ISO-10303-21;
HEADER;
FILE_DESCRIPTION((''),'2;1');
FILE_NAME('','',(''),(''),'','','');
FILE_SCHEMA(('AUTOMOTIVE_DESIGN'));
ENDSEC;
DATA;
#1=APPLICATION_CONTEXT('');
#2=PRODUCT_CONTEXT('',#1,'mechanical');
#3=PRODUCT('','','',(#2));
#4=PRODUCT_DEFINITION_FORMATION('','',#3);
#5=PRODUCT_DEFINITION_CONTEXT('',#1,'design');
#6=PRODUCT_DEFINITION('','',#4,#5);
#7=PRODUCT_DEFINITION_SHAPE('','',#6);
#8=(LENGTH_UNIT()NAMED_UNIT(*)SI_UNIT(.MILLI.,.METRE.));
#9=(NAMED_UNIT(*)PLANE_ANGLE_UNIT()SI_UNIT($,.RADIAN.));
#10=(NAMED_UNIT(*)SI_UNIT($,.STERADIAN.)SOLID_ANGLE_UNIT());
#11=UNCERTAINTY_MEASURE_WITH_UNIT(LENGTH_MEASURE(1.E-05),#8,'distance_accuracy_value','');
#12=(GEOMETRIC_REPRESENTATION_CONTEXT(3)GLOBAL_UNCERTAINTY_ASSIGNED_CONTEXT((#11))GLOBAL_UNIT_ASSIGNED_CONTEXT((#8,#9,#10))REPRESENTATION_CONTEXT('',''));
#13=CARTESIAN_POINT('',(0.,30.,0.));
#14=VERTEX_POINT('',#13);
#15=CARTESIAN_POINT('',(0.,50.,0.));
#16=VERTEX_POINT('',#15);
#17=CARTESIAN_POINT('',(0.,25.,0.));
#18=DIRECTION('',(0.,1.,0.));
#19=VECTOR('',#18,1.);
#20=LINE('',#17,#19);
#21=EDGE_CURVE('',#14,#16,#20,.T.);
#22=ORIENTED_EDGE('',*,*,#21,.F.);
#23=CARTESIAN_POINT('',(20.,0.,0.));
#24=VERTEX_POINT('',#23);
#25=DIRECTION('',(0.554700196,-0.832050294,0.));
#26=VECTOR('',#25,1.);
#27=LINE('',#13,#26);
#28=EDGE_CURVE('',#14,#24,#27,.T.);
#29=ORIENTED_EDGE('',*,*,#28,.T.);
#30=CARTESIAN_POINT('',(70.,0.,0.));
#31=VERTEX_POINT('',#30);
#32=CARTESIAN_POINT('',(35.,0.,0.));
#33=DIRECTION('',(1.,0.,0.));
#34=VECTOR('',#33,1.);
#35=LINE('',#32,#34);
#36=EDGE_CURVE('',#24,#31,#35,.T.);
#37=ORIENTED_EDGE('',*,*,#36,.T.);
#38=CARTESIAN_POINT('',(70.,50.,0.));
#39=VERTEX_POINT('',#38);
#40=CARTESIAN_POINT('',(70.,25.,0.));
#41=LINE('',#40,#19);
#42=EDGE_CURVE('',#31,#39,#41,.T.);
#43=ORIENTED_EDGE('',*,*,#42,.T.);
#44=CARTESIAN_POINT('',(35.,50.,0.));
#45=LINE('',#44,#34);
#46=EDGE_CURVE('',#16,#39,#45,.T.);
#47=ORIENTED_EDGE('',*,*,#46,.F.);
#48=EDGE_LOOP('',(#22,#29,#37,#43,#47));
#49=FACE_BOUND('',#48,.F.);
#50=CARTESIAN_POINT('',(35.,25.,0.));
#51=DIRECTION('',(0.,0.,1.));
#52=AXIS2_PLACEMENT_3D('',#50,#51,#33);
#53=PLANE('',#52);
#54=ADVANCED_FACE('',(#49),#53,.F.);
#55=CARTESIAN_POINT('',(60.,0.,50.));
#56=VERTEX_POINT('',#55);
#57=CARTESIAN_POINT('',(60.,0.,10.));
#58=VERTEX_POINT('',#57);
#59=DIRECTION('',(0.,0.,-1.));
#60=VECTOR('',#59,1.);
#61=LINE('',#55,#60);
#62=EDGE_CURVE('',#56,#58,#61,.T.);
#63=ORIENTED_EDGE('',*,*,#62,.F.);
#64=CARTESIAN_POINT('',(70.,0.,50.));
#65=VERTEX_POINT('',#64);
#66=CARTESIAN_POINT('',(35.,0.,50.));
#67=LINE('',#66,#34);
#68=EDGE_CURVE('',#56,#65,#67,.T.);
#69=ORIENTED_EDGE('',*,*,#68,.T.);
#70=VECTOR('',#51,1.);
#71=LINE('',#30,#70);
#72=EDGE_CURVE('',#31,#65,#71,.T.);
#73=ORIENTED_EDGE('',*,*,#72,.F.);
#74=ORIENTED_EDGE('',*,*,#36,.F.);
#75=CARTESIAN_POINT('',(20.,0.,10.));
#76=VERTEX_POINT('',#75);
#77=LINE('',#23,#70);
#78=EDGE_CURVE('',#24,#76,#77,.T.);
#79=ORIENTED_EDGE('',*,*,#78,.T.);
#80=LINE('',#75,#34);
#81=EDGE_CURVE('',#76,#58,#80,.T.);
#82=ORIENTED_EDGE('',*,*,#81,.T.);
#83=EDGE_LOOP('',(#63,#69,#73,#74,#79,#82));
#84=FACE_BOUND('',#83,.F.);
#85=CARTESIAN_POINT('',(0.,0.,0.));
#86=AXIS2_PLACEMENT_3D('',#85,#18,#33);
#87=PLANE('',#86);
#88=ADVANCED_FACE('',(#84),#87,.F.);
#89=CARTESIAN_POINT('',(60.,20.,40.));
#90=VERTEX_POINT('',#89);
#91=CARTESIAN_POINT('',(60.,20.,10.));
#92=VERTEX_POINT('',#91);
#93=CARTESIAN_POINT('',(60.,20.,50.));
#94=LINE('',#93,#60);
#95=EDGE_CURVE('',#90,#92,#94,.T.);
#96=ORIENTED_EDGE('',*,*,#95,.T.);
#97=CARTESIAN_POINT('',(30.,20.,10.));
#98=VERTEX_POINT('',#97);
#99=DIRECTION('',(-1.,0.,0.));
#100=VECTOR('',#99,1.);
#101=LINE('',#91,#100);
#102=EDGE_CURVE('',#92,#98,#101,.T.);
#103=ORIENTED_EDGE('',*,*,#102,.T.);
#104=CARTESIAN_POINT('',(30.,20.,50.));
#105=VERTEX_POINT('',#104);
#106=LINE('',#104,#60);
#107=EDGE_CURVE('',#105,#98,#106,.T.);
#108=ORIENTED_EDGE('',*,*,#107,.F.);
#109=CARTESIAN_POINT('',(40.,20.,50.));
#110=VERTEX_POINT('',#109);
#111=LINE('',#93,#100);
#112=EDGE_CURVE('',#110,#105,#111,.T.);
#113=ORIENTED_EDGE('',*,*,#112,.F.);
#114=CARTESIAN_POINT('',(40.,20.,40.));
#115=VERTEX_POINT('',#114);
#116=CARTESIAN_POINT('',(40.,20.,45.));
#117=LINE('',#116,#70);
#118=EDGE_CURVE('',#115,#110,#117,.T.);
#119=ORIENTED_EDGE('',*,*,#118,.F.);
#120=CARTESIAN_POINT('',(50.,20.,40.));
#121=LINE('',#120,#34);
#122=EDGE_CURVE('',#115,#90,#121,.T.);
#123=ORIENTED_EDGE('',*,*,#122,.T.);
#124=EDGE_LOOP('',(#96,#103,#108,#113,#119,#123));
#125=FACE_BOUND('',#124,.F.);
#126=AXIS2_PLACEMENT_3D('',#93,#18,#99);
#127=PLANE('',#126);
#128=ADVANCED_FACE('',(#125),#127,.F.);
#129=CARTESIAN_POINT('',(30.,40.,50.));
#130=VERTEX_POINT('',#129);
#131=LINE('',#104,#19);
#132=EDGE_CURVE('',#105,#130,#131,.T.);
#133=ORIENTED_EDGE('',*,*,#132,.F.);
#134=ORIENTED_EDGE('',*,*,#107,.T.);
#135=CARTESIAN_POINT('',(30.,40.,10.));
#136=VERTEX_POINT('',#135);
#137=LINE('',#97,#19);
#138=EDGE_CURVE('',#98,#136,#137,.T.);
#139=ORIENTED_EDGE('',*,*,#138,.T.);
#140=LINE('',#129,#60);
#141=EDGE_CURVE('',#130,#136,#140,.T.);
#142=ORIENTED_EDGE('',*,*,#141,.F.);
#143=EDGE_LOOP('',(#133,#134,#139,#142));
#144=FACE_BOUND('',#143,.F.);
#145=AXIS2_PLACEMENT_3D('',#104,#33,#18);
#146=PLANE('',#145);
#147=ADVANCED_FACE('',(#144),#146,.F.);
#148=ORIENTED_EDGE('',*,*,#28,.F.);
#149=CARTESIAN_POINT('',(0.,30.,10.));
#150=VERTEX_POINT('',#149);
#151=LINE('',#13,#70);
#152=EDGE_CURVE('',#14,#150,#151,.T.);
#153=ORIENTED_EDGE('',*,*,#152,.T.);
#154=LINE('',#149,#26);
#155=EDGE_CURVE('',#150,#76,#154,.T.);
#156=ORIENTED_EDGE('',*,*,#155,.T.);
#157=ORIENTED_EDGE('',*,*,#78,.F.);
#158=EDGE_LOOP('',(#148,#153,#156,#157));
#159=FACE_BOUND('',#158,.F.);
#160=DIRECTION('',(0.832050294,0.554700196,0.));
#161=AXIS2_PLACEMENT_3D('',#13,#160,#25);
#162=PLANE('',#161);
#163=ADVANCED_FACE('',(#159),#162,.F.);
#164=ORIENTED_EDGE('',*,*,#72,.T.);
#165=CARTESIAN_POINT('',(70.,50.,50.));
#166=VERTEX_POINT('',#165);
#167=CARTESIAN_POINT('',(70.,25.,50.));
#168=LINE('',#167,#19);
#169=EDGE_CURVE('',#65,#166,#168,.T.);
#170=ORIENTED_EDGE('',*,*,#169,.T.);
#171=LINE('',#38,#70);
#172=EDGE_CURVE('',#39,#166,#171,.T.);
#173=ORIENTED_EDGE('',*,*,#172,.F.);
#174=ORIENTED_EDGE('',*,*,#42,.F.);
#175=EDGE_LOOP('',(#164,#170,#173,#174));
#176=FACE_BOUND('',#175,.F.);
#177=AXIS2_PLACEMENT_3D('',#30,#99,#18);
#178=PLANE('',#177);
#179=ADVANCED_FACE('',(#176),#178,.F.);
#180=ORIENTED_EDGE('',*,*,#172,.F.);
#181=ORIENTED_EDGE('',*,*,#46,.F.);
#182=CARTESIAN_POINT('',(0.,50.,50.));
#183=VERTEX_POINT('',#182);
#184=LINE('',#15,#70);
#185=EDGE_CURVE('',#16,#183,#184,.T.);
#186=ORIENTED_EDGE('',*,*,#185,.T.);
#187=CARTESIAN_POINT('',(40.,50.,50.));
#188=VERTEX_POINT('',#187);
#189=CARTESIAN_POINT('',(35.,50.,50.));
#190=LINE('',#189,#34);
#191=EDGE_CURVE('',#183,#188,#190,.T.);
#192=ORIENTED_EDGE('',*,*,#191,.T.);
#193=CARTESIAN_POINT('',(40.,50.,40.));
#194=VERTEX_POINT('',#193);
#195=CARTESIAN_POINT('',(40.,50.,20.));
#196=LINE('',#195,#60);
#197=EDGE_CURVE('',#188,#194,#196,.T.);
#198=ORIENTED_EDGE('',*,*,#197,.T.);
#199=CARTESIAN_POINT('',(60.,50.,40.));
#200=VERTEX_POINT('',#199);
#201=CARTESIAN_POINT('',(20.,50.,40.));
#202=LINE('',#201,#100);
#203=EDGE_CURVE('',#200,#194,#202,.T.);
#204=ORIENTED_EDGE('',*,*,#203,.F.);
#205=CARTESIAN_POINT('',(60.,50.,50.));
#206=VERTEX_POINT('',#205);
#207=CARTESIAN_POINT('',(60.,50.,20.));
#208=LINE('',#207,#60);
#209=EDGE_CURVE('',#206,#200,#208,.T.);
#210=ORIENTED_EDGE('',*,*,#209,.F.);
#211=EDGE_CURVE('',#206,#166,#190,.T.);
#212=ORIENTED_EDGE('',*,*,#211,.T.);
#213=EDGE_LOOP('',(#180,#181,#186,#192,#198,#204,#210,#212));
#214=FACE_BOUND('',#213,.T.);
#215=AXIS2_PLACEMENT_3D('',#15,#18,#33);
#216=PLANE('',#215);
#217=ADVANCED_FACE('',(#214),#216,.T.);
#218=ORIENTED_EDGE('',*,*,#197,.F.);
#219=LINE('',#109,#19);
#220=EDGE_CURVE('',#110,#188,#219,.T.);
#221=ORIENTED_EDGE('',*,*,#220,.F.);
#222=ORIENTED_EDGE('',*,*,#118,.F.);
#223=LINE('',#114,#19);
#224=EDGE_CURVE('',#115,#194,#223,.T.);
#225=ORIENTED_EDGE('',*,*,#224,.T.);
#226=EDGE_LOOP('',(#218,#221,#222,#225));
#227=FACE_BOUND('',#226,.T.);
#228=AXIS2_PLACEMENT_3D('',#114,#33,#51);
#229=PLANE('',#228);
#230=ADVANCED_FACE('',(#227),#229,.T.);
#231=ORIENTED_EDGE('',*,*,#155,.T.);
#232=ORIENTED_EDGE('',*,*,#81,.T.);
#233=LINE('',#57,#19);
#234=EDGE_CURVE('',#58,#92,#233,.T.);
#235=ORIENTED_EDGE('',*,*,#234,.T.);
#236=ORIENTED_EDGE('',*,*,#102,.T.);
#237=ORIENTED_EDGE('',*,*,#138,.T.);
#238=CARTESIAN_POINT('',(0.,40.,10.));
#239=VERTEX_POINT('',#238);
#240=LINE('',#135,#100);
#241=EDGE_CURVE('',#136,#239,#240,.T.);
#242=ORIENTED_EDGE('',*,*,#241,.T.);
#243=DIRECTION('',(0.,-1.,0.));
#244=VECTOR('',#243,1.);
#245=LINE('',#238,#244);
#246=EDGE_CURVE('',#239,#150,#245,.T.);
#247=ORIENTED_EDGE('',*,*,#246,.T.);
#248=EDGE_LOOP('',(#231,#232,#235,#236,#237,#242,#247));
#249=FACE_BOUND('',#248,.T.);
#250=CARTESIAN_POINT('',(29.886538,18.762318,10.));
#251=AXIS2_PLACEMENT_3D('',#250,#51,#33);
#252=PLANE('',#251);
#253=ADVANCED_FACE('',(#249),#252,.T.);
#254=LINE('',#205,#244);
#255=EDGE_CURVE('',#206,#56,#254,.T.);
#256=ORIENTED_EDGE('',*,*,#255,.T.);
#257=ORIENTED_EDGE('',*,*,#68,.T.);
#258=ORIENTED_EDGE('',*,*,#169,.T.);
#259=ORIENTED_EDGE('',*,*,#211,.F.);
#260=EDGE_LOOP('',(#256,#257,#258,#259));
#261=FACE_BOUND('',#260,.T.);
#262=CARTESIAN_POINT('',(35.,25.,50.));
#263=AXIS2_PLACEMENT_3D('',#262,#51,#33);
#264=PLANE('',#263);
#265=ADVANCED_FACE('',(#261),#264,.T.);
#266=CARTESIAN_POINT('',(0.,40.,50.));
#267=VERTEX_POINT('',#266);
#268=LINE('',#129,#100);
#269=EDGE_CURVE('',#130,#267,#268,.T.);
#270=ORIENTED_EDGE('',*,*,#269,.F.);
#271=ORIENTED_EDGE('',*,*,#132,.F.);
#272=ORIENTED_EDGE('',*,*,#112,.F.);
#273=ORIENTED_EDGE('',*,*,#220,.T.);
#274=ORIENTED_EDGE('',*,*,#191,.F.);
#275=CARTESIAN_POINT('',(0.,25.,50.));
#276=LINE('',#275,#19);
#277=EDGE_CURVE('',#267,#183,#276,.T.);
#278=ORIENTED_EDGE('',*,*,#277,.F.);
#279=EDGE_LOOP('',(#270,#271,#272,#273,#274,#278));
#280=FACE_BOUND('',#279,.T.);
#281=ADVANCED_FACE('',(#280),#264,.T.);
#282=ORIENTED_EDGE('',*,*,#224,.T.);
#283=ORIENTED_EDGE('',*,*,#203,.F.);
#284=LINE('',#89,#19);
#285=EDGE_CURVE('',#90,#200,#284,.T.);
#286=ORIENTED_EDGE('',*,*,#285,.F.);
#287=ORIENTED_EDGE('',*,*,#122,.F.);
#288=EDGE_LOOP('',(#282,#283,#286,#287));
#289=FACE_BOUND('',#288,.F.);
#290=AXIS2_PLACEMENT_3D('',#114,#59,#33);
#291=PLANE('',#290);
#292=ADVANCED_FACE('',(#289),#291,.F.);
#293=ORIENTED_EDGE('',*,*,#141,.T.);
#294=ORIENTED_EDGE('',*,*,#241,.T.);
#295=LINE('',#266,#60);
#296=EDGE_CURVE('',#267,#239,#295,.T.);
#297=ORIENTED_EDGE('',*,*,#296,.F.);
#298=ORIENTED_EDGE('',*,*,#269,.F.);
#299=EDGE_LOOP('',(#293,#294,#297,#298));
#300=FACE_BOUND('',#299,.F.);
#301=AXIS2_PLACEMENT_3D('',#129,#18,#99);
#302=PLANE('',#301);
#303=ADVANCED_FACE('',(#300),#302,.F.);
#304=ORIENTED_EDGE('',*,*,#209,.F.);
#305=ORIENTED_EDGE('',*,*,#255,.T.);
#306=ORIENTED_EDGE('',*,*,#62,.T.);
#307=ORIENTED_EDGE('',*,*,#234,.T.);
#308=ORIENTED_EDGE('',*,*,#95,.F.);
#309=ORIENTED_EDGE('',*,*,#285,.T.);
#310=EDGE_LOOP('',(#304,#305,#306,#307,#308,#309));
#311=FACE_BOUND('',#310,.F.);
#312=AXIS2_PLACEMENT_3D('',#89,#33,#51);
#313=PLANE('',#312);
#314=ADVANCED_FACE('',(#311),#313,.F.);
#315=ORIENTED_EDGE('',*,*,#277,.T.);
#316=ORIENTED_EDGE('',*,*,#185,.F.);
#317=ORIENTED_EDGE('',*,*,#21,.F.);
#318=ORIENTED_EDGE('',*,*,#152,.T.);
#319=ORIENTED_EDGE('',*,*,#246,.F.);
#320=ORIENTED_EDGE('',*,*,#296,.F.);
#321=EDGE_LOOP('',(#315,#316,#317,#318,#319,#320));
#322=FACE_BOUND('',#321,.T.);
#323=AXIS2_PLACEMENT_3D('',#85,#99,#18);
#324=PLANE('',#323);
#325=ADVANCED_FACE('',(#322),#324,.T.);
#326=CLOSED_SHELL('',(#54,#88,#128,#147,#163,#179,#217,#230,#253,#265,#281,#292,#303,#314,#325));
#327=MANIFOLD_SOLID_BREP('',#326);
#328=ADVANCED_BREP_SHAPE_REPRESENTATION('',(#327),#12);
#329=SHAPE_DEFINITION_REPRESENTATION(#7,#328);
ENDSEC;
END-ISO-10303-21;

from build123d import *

# Parameters (mm, degrees)
SKETCH1_W           = 70
SKETCH1_H           = 50
BOSS_EXTRUDE1_DEPTH = 50
CUT_EXTRUDE2_DEPTH  = 50
CUT_EXTRUDE4_DEPTH  = 40
SKETCH5_W           = 20
SKETCH5_H           = 10
CUT_EXTRUDE5_DEPTH  = 40


with BuildPart() as part:
    # Sketch1 → Boss-Extrude1 (new body)
    with BuildSketch(Plane.XY):
        with Locations((35, 25)):
            Rectangle(SKETCH1_W, SKETCH1_H)
    extrude(amount=BOSS_EXTRUDE1_DEPTH)

    # Sketch3 → Cut-Extrude2 (cut)
    with BuildSketch(Plane.XY):
        Polygon((0, 30), (20, 0), (0, 0), align=None)
    extrude(amount=CUT_EXTRUDE2_DEPTH, mode=Mode.SUBTRACT)

    # Sketch4 → Cut-Extrude4 (cut)
    with BuildSketch(Plane.XY.offset(50)):
        Polygon((60, 0), (60, 20), (30, 20), (30, 40), (0, 40), (0, 30), (20, 0), align=None)
    extrude(amount=-CUT_EXTRUDE4_DEPTH, mode=Mode.SUBTRACT)

    # Sketch5 → Cut-Extrude5 (cut)
    with BuildSketch(Plane.XZ.offset(-20)):
        with Locations((50, 45)):
            Rectangle(SKETCH5_W, SKETCH5_H)
    extrude(amount=-CUT_EXTRUDE5_DEPTH, mode=Mode.SUBTRACT)


solid = part.part
